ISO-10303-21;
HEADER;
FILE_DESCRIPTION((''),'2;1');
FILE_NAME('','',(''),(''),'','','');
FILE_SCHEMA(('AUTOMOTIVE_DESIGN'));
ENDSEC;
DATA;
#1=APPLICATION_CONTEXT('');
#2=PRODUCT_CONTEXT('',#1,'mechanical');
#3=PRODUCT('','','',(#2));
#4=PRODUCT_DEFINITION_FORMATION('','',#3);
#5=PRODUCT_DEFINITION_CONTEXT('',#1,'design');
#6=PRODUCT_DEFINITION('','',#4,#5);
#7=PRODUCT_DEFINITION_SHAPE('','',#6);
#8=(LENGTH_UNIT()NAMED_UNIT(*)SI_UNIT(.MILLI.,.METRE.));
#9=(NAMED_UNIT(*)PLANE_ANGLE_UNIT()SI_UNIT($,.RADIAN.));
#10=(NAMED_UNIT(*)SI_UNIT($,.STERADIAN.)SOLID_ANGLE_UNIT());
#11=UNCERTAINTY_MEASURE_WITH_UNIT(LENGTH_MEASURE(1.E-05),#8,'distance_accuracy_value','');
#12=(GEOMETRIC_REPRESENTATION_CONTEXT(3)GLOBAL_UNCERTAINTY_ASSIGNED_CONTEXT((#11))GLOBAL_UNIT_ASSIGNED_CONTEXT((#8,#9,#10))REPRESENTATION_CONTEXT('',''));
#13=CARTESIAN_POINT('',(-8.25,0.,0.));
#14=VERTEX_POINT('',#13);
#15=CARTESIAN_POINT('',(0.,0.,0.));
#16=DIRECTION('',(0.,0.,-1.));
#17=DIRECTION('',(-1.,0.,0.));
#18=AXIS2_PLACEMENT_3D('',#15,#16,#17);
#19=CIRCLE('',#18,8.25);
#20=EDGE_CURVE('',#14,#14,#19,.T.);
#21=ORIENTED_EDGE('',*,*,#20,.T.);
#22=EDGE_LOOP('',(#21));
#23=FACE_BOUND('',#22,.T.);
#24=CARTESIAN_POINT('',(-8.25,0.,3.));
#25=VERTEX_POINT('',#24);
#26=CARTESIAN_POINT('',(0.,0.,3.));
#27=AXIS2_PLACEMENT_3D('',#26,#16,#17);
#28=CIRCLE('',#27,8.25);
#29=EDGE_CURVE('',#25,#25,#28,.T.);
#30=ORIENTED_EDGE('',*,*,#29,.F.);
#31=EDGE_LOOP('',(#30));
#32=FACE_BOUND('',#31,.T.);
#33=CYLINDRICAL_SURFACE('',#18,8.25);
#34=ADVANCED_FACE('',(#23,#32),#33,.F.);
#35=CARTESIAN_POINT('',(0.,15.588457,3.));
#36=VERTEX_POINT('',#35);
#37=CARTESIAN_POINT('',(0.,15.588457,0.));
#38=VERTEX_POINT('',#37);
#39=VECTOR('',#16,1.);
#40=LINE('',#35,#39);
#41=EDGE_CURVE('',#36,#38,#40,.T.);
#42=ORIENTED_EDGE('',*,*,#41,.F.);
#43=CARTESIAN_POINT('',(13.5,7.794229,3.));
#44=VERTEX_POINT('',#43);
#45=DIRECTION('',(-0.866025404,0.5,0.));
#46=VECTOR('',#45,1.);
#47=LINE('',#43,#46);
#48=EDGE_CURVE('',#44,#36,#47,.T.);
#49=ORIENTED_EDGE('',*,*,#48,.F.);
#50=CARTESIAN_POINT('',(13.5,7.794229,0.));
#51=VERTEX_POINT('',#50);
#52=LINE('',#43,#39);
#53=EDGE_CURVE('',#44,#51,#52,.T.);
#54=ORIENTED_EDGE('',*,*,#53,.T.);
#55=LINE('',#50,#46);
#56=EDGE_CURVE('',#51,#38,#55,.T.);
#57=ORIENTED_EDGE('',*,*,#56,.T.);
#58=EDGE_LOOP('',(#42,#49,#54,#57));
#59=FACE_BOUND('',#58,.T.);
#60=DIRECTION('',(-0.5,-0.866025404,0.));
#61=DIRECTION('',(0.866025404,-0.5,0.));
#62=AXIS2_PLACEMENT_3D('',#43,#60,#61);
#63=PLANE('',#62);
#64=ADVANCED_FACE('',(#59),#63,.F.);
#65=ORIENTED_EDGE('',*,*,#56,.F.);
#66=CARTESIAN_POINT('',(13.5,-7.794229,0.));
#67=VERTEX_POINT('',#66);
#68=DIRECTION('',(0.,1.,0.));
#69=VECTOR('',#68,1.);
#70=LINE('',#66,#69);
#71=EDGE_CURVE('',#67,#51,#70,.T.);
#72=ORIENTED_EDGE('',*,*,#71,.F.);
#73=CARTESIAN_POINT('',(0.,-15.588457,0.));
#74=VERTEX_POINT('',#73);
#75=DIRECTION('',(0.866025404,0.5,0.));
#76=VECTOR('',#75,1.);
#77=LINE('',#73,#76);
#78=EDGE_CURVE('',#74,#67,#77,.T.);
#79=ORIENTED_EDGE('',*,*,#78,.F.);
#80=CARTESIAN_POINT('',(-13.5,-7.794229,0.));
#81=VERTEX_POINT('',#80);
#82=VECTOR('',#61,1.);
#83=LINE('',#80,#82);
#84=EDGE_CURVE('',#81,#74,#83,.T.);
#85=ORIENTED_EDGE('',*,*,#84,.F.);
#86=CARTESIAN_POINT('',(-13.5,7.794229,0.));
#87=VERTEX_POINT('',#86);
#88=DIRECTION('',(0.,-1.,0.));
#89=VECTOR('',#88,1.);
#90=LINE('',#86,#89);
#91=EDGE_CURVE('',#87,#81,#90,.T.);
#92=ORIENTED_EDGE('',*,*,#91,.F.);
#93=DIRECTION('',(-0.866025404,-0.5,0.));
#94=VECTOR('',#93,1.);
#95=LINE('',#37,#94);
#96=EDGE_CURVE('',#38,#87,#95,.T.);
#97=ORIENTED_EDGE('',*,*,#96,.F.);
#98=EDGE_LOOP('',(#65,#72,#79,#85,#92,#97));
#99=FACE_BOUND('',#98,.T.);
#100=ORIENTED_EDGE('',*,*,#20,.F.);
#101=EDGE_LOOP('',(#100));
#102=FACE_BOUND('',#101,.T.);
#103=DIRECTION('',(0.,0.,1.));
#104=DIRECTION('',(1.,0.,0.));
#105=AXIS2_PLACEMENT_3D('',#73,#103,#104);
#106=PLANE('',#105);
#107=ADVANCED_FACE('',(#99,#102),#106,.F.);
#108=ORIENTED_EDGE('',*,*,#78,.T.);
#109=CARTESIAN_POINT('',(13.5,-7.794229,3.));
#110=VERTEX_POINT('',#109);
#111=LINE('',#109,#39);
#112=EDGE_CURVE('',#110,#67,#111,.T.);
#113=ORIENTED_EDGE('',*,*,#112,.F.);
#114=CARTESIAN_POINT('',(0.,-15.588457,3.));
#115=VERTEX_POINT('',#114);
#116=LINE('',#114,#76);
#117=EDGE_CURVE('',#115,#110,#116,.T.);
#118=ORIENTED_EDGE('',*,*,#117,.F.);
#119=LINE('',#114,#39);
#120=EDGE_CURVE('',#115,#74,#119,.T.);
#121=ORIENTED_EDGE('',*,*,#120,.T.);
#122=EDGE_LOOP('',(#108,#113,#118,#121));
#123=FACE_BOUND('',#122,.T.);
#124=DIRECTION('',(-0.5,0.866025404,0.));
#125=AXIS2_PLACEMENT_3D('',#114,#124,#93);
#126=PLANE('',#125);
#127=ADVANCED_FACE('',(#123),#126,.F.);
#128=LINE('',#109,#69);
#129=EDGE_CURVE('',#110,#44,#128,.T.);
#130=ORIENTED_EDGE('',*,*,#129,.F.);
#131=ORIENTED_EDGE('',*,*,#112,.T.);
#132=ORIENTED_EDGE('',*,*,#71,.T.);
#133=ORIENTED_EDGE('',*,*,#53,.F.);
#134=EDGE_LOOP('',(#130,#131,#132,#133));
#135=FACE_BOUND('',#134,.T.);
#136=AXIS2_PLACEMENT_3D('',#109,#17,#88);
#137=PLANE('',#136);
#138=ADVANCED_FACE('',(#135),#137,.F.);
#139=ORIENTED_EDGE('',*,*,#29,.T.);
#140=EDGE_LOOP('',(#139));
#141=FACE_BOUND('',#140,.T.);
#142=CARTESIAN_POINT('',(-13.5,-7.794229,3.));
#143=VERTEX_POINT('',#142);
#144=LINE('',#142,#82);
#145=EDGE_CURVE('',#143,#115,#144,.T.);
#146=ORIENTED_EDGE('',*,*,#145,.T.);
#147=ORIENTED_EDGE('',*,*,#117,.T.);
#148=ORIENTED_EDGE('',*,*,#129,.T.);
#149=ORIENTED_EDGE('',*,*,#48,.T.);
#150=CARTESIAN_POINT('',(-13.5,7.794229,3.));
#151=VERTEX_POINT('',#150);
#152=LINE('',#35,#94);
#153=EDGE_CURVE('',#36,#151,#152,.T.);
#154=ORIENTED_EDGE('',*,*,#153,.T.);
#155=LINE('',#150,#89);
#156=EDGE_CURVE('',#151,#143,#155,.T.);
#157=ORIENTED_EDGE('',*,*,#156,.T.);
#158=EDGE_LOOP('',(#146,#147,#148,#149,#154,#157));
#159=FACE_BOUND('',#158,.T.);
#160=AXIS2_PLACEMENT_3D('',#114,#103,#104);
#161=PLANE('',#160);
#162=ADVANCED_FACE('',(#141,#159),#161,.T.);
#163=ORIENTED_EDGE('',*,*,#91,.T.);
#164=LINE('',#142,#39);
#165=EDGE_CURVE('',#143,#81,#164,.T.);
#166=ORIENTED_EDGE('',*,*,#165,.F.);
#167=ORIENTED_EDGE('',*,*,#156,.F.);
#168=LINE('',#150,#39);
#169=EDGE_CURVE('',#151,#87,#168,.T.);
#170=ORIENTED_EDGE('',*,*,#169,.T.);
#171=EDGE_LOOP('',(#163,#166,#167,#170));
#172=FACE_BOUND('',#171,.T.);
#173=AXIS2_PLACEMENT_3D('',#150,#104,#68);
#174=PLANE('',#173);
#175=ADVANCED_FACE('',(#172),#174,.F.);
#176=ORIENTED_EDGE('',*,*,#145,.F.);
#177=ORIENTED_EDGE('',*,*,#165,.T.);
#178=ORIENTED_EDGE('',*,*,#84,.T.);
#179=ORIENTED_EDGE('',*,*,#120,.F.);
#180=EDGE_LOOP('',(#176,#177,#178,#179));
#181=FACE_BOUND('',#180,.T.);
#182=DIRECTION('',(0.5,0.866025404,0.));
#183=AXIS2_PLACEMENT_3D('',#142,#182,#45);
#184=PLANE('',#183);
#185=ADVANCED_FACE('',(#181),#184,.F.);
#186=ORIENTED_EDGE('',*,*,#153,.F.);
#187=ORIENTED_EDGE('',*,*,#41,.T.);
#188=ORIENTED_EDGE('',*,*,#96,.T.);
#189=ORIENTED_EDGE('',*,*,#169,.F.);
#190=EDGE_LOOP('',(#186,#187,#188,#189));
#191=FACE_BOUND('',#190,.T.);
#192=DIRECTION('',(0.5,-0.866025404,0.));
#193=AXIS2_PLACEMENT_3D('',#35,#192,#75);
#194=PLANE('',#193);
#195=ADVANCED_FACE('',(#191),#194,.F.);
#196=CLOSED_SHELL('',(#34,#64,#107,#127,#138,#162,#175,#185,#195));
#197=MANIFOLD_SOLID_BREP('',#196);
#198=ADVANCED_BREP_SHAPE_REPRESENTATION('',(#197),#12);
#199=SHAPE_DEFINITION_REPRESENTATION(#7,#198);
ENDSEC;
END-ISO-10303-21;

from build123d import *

# Parameters (mm, degrees)
BOSS_EXTRU_1_DEPTH                        = 3
TROU_POUR_TARAUDAGE_POUR_TROU_TARAUD_M1_D = 16.5


with BuildPart() as part:
    # Esquisse1 → Boss.-Extru.1 (new body)
    with BuildSketch(Plane.XY):
        Polygon((0, -15.588457268), (13.5, -7.794228634), (13.5, 7.794228634), (0, 15.588457268), (-13.5, 7.794228634), (-13.5, -7.794228634), align=None)
    extrude(amount=BOSS_EXTRU_1_DEPTH)

    # Trou pour taraudage pour trou taraudé M181 (through all)
    with Locations(Plane(origin=(0, 0, 0), x_dir=(-1, 0, 0), z_dir=(0, 0, -1))):
        with Locations((0, 0)):
            Hole(TROU_POUR_TARAUDAGE_POUR_TROU_TARAUD_M1_D / 2)


solid = part.part
